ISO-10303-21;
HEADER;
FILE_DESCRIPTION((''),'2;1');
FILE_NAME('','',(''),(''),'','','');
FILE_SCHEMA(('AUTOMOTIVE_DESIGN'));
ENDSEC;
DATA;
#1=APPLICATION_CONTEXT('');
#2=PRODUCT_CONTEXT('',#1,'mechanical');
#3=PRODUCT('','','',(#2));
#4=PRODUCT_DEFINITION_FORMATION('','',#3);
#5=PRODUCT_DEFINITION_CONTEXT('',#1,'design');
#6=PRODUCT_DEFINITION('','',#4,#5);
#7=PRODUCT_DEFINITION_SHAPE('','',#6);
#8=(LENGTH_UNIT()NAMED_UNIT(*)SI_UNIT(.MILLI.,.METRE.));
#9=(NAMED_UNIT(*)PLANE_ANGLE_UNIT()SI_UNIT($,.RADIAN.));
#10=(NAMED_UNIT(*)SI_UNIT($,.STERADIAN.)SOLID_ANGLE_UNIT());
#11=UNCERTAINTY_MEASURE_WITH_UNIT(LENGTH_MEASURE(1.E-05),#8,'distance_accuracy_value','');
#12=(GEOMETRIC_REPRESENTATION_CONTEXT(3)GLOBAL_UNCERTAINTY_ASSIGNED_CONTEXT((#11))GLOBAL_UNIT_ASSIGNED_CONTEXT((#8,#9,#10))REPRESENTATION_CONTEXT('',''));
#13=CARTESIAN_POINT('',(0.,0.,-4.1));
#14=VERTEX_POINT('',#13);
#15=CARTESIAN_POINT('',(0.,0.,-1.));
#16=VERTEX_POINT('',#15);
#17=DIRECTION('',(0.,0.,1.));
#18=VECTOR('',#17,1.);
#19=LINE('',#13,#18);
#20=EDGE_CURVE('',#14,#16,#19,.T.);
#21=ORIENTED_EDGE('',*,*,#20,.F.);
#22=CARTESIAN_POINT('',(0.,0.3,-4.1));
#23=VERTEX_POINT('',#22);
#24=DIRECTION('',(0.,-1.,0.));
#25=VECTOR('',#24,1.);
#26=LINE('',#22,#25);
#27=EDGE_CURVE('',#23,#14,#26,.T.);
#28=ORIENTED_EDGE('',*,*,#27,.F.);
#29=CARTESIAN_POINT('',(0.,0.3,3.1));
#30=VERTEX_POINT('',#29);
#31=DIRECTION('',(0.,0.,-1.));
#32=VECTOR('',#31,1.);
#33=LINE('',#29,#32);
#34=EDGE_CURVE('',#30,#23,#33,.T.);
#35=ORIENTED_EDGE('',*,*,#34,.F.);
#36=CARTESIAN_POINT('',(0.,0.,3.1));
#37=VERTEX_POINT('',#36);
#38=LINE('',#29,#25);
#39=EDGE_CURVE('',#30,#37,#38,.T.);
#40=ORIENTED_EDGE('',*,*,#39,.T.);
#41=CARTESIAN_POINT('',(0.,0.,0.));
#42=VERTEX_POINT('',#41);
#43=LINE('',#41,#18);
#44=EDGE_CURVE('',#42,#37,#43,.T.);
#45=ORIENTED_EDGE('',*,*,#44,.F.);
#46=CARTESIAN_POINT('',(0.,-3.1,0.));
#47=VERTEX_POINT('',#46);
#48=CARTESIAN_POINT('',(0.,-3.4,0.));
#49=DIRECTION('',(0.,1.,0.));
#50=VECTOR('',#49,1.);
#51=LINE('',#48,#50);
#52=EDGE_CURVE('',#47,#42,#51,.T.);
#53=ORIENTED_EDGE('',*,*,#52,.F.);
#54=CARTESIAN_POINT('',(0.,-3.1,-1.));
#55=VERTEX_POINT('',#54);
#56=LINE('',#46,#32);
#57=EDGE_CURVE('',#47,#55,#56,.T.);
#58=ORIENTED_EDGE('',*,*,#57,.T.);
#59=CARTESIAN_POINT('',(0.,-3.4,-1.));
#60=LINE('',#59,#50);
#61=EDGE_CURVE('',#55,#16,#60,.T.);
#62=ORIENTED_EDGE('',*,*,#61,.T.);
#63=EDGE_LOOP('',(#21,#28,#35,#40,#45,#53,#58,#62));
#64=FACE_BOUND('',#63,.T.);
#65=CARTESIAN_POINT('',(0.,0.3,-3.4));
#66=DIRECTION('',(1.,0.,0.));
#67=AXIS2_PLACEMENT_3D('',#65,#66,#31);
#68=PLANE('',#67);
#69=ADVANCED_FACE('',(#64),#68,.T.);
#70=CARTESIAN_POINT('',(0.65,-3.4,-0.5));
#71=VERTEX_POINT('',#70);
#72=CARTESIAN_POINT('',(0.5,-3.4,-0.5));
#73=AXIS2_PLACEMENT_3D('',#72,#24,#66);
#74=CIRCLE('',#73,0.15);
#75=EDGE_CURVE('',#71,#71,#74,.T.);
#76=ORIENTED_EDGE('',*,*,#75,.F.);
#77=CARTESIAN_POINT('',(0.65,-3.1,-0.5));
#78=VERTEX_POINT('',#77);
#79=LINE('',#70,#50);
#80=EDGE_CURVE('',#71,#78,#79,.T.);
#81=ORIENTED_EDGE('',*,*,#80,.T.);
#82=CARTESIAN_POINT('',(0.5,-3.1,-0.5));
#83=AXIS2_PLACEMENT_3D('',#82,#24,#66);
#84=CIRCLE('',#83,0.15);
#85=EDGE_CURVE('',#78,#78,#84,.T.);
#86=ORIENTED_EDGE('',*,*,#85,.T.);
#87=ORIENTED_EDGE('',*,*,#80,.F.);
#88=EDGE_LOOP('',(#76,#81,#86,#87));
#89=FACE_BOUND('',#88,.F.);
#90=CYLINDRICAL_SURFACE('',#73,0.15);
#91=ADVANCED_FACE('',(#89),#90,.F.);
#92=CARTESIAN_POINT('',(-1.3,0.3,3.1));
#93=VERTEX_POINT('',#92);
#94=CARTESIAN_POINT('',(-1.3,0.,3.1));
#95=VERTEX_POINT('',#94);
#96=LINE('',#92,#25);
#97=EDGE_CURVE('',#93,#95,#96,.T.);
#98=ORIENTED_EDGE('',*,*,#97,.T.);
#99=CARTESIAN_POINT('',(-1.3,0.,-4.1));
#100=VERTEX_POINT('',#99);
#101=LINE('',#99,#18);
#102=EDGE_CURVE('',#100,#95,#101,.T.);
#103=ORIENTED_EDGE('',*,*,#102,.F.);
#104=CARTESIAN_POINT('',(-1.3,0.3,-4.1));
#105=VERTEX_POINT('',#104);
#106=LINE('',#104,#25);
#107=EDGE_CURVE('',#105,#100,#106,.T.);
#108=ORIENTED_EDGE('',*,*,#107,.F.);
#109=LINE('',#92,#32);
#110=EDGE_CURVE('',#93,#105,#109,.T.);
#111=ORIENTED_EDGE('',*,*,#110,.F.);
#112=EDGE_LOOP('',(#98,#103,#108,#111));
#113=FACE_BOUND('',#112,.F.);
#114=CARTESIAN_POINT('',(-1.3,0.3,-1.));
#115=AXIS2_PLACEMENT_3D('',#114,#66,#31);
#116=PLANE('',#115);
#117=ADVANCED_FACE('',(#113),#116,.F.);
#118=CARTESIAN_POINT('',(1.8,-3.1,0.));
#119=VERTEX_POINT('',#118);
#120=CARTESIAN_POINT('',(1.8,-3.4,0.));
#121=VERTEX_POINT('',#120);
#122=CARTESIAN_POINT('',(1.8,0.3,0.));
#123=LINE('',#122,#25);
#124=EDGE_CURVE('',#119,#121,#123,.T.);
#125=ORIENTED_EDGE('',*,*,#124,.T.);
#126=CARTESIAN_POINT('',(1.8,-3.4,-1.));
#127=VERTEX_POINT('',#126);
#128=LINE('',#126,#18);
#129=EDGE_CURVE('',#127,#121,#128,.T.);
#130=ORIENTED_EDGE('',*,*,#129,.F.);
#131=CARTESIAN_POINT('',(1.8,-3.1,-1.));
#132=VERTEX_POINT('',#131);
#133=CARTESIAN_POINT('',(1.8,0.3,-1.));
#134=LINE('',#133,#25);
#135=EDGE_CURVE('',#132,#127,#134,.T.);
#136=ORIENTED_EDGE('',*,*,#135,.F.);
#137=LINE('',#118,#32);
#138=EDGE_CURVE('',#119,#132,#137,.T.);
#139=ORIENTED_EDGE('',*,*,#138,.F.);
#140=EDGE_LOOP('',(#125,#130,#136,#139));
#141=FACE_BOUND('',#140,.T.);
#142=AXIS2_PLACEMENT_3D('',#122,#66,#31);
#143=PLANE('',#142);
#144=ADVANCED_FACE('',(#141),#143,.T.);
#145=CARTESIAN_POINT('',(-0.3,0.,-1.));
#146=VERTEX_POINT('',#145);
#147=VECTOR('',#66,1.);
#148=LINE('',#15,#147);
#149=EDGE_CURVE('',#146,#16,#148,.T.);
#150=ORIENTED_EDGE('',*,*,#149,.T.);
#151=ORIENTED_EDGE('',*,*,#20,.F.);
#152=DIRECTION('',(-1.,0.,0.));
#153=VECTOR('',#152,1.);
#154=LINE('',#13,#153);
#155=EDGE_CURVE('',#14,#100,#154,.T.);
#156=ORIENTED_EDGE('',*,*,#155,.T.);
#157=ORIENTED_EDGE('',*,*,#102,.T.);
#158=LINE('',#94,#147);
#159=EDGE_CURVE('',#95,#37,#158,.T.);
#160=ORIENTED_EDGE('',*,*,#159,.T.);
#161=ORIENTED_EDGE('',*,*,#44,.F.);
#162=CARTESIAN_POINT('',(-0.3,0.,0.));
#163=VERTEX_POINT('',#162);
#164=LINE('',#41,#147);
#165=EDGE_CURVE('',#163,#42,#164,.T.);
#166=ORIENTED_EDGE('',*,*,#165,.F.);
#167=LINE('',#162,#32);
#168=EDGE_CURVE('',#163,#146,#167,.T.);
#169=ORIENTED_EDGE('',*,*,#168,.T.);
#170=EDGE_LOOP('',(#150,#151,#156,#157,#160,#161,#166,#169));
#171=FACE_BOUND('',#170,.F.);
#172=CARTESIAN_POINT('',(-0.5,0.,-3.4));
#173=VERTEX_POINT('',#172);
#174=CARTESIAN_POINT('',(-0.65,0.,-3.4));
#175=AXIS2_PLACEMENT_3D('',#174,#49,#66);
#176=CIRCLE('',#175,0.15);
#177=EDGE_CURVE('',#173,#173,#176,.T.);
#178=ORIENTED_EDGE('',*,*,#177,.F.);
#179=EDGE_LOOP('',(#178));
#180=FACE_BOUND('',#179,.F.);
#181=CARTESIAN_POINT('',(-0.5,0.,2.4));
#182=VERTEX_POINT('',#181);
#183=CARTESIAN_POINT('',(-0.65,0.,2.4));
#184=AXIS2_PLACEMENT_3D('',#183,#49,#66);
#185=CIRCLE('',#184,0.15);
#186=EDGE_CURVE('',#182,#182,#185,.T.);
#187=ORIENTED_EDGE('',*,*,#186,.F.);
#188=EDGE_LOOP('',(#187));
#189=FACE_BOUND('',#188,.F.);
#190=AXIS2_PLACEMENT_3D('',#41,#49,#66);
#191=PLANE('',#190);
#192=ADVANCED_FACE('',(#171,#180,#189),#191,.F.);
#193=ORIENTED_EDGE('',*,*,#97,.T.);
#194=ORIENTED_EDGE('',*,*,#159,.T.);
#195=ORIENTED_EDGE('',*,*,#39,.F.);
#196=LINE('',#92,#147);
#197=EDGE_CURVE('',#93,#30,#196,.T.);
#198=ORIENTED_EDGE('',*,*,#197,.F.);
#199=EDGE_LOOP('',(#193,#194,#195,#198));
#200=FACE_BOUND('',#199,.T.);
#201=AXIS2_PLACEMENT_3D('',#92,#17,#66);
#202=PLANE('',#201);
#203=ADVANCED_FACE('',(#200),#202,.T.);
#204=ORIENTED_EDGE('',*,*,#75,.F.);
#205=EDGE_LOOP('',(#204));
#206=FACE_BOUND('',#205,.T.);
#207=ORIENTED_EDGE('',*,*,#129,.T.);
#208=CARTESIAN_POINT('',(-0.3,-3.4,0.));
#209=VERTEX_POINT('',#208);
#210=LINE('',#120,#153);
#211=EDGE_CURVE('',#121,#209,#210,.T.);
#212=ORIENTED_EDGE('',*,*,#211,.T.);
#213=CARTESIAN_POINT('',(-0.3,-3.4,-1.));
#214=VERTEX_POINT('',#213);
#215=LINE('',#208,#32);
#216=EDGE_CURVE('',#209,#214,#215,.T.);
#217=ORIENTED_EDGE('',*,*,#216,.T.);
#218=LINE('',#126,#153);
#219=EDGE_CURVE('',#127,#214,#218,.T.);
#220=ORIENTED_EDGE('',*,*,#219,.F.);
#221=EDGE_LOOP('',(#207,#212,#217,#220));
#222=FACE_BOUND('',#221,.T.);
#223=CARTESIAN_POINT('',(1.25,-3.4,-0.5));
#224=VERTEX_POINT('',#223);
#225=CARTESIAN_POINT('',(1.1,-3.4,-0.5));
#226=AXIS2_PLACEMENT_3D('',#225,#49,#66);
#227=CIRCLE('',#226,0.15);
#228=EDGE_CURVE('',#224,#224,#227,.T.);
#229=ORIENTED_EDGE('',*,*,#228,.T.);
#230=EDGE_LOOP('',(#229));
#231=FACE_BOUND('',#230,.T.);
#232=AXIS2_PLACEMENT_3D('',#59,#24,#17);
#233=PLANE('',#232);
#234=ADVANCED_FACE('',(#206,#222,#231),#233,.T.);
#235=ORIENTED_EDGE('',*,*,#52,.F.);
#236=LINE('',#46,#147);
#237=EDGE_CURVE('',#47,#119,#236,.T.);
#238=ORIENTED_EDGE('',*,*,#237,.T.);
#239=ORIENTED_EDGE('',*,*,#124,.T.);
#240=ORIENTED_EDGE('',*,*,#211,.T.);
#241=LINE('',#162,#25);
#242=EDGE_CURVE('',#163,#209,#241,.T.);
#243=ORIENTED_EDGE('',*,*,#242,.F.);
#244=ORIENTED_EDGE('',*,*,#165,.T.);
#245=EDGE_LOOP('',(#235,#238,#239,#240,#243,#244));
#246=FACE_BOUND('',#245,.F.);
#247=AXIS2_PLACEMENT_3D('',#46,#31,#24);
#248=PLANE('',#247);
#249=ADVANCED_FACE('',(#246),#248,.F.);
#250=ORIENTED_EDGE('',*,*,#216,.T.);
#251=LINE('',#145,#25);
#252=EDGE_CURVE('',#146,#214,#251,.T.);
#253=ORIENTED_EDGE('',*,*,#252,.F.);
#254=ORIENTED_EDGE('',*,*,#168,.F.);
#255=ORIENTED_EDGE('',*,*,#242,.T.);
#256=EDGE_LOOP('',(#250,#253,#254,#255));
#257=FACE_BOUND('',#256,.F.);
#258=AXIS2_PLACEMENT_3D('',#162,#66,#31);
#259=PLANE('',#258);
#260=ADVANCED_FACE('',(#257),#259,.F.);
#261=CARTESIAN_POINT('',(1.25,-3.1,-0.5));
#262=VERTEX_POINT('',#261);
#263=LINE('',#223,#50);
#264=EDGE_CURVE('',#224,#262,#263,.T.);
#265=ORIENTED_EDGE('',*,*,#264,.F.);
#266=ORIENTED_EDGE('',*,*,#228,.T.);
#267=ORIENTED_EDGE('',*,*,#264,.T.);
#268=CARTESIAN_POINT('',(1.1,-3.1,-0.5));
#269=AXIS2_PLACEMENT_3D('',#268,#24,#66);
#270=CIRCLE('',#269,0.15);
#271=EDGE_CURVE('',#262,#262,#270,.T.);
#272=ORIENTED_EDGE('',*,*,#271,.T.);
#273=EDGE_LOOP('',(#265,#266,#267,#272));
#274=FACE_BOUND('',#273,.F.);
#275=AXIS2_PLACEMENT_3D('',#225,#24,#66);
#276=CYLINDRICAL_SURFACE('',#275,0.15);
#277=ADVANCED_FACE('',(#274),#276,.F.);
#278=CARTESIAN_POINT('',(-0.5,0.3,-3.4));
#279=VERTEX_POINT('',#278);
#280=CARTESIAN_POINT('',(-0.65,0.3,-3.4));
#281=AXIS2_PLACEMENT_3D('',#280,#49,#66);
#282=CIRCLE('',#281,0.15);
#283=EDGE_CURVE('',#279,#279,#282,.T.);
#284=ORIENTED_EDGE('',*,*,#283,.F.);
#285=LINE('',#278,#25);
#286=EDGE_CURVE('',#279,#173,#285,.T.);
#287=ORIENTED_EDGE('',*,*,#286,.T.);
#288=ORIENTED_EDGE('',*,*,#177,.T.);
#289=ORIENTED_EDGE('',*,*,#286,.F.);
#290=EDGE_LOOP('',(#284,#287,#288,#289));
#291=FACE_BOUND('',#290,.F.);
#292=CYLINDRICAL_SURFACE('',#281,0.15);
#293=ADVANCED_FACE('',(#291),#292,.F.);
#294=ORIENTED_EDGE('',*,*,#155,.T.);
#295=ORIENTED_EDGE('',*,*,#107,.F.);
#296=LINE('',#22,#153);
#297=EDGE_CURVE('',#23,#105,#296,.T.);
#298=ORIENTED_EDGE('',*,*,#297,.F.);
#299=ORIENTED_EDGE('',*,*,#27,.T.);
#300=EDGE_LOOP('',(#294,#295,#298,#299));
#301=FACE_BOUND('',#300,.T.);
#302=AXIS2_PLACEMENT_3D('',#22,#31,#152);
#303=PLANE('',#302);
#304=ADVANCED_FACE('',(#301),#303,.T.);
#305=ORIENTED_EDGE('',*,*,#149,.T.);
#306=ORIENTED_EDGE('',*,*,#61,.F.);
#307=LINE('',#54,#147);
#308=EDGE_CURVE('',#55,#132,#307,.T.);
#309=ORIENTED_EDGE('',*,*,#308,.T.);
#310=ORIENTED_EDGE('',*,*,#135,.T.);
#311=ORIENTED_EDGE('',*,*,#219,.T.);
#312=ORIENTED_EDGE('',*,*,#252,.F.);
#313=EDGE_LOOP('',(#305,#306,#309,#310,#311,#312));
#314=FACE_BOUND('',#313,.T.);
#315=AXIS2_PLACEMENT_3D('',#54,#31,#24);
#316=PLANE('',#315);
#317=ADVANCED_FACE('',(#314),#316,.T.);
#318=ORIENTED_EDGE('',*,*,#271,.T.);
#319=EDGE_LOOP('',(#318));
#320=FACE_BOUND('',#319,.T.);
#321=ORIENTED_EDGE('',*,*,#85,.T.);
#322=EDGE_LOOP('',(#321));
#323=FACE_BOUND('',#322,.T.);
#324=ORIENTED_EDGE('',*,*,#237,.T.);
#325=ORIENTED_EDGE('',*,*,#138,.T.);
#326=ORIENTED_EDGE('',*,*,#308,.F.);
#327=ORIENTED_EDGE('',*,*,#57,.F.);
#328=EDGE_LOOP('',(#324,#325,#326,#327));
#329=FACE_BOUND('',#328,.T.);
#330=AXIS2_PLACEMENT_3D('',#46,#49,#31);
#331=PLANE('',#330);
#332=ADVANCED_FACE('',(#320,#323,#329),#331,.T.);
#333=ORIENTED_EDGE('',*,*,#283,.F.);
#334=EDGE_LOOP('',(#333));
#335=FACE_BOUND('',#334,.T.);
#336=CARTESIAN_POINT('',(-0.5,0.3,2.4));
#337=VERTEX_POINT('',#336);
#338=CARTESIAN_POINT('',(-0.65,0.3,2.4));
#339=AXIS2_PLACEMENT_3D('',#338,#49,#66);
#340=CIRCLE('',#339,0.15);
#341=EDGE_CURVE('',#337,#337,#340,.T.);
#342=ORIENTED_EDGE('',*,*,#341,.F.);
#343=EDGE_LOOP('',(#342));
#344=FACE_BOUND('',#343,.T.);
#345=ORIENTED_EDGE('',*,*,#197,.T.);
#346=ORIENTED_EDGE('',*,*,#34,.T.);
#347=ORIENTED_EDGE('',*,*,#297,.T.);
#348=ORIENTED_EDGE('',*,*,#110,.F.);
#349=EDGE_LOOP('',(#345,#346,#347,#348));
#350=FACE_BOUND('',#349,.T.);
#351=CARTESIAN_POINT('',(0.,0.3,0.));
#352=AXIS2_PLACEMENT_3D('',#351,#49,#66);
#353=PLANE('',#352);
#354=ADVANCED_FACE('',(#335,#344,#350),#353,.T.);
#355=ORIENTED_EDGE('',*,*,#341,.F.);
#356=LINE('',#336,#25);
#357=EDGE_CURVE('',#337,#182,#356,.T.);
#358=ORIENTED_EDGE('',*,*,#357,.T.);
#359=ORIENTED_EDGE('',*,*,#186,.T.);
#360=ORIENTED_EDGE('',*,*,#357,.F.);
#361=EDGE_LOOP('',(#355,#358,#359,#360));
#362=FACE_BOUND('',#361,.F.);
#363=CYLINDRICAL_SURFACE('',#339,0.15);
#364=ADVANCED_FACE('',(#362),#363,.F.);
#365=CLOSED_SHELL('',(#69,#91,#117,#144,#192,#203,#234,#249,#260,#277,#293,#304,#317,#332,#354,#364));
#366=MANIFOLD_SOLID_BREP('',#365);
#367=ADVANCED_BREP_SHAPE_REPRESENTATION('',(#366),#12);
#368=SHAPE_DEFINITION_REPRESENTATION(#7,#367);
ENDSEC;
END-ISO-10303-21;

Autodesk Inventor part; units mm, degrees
ref_plane "YZ Plane" through (0, 0, 0) normal (1, 0, 0) x (0, 1, 0)
ref_plane "XZ Plane" through (0, 0, 0) normal (0, 1, 0) x (-1, 0, 0)
ref_plane "XY Plane" through (0, 0, 0) normal (0, 0, 1) x (1, 0, 0)
sketch "Boceto1" plane through (0, 0, 0) normal (0, 1, 0) x (-1, 0, 0)
  circle A0 centre (0.65, -0.45) radius 0.15
  line L0 (0.3, 0) -> (1.3, 0)
  line L1 (1.3, 0) -> (1.3, -1)
  line L2 (1.3, -1) -> (0.3, -1)
  line L3 (0.3, -1) -> (0, -1)
  line L4 (0, -1) -> (0, 0)
  line L5 (0, 0) -> (0.3, 0)
extrude "Extrusión1" add sketch "Boceto1" along normal blind 0.3
sketch "Boceto2" plane through (0, 0, 0) normal (0, -1, 0) x (1, 0, 0)
  line L0 (0, -1) -> (0, 0)
  line L1 (-0.3, -1) -> (0, -1)
  line L2 (0, 0) -> (-0.3, 0)
  line L3 (-0.3, 0) -> (-0.3, -1)
  line L4 (0, 0) -> (0, -1) projected
  line L5 (-0.3, -1) -> (0, -1)
  line L6 (0, -1) -> (0, 0)
  line L7 (0, 0) -> (-0.3, 0)
  line L8 (-0.3, 0) -> (-0.3, -1)
extrude "Extrusión2" add sketch "Boceto2" along normal blind 3.4
sketch "Boceto3" plane through (0, 0.3, 0) normal (1, 0, 0) x (0, 0, -1)
  line L0 (1, 0) -> (1, -3.7) projected
  line L1 (0, 0) -> (1, 0) projected
  line L2 (0, 0) -> (0, -3.7) projected
  line L3 (1, -3.7) -> (0, -3.7) projected
  line L4 (0, 0) -> (0, -3.7) projected
  line L5 (0, -3.7) -> (0, -3.4)
  line L6 (0, -3.4) -> (1, -3.4)
  line L7 (1, -3.4) -> (1, -3.7)
  line L8 (1, -3.7) -> (0, -3.7)
  line L9 (0, -3.7) -> (0, -3.4)
  point P0 (0, -0.3)
  dimension "d4" = 0.3
extrude "Extrusión3" add sketch "Boceto3" along normal blind 1.8 contours L0 L3 L2 L6
sketch "Boceto4" plane through (0, -3.4, 0) normal (0, -1, 0) x (1, 0, 0)
  line L0 (-0.3, 0) -> (1.8, 0) projected
  line L1 (-0.3, 0) -> (-0.3, -1) projected
  line L2 (-0.3, -1) -> (1.8, -1) projected
  line L3 (1.8, 0) -> (1.8, -1) projected
  circle A0 centre (0.5, -0.5) radius 0.15
  circle A1 centre (-6.552, -4.409) radius 0.15
  circle A2 centre (-5.952, -4.409) radius 0.15
  line L4 (0.5, -0.5) -> (1.1, -0.5)
  circle A3 centre (1.1, -0.5) radius 0.15
  point P0 (0, 0)
  dimension "d7" = 0.3
  dimension "d18" = 0.3
  dimension "d19" = 0.3
  dimension "d21" = 0.3
extrude "Extrusión4" cut sketch "Boceto4" against normal blind 1 contours A0 | A3
sketch "Boceto6" plane through (0, 0.3, 0) normal (0, 1, 0) x (1, 0, 0)
  line L0 (-1.3, 1) -> (-1.3, 0) projected
  line L1 (-1.3, 0.5) -> (-1.3, 3.4)
  line L2 (0, 3.4) -> (0, -2.4)
  line L3 (-1.3, -2.4) -> (-1.3, 0.5)
  circle A0 centre (-0.65, -2.4) radius 0.15
  circle A1 centre (-0.65, 3.4) radius 0.15
  line L4 (0, 3.4) -> (0, 4.1)
  line L5 (0, 4.1) -> (-1.3, 4.1)
  line L6 (-1.3, 4.1) -> (-1.3, 3.4)
  line L7 (-1.3, -2.4) -> (-1.3, -3.1)
  line L8 (-1.3, -3.1) -> (0, -3.1)
  line L9 (0, -3.1) -> (0, -2.4)
  point P0 (0, 0)
  dimension "d22" = 2.9
  dimension "d23" = 5.8
  dimension "d24" = 1.3
  dimension "d25" = 0.3
  dimension "d26" = 0.3
  dimension "d28" = 0.7
extrude "Extrusión5" add sketch "Boceto6" against normal blind 0.3
properties part number "soporteOdroid"
